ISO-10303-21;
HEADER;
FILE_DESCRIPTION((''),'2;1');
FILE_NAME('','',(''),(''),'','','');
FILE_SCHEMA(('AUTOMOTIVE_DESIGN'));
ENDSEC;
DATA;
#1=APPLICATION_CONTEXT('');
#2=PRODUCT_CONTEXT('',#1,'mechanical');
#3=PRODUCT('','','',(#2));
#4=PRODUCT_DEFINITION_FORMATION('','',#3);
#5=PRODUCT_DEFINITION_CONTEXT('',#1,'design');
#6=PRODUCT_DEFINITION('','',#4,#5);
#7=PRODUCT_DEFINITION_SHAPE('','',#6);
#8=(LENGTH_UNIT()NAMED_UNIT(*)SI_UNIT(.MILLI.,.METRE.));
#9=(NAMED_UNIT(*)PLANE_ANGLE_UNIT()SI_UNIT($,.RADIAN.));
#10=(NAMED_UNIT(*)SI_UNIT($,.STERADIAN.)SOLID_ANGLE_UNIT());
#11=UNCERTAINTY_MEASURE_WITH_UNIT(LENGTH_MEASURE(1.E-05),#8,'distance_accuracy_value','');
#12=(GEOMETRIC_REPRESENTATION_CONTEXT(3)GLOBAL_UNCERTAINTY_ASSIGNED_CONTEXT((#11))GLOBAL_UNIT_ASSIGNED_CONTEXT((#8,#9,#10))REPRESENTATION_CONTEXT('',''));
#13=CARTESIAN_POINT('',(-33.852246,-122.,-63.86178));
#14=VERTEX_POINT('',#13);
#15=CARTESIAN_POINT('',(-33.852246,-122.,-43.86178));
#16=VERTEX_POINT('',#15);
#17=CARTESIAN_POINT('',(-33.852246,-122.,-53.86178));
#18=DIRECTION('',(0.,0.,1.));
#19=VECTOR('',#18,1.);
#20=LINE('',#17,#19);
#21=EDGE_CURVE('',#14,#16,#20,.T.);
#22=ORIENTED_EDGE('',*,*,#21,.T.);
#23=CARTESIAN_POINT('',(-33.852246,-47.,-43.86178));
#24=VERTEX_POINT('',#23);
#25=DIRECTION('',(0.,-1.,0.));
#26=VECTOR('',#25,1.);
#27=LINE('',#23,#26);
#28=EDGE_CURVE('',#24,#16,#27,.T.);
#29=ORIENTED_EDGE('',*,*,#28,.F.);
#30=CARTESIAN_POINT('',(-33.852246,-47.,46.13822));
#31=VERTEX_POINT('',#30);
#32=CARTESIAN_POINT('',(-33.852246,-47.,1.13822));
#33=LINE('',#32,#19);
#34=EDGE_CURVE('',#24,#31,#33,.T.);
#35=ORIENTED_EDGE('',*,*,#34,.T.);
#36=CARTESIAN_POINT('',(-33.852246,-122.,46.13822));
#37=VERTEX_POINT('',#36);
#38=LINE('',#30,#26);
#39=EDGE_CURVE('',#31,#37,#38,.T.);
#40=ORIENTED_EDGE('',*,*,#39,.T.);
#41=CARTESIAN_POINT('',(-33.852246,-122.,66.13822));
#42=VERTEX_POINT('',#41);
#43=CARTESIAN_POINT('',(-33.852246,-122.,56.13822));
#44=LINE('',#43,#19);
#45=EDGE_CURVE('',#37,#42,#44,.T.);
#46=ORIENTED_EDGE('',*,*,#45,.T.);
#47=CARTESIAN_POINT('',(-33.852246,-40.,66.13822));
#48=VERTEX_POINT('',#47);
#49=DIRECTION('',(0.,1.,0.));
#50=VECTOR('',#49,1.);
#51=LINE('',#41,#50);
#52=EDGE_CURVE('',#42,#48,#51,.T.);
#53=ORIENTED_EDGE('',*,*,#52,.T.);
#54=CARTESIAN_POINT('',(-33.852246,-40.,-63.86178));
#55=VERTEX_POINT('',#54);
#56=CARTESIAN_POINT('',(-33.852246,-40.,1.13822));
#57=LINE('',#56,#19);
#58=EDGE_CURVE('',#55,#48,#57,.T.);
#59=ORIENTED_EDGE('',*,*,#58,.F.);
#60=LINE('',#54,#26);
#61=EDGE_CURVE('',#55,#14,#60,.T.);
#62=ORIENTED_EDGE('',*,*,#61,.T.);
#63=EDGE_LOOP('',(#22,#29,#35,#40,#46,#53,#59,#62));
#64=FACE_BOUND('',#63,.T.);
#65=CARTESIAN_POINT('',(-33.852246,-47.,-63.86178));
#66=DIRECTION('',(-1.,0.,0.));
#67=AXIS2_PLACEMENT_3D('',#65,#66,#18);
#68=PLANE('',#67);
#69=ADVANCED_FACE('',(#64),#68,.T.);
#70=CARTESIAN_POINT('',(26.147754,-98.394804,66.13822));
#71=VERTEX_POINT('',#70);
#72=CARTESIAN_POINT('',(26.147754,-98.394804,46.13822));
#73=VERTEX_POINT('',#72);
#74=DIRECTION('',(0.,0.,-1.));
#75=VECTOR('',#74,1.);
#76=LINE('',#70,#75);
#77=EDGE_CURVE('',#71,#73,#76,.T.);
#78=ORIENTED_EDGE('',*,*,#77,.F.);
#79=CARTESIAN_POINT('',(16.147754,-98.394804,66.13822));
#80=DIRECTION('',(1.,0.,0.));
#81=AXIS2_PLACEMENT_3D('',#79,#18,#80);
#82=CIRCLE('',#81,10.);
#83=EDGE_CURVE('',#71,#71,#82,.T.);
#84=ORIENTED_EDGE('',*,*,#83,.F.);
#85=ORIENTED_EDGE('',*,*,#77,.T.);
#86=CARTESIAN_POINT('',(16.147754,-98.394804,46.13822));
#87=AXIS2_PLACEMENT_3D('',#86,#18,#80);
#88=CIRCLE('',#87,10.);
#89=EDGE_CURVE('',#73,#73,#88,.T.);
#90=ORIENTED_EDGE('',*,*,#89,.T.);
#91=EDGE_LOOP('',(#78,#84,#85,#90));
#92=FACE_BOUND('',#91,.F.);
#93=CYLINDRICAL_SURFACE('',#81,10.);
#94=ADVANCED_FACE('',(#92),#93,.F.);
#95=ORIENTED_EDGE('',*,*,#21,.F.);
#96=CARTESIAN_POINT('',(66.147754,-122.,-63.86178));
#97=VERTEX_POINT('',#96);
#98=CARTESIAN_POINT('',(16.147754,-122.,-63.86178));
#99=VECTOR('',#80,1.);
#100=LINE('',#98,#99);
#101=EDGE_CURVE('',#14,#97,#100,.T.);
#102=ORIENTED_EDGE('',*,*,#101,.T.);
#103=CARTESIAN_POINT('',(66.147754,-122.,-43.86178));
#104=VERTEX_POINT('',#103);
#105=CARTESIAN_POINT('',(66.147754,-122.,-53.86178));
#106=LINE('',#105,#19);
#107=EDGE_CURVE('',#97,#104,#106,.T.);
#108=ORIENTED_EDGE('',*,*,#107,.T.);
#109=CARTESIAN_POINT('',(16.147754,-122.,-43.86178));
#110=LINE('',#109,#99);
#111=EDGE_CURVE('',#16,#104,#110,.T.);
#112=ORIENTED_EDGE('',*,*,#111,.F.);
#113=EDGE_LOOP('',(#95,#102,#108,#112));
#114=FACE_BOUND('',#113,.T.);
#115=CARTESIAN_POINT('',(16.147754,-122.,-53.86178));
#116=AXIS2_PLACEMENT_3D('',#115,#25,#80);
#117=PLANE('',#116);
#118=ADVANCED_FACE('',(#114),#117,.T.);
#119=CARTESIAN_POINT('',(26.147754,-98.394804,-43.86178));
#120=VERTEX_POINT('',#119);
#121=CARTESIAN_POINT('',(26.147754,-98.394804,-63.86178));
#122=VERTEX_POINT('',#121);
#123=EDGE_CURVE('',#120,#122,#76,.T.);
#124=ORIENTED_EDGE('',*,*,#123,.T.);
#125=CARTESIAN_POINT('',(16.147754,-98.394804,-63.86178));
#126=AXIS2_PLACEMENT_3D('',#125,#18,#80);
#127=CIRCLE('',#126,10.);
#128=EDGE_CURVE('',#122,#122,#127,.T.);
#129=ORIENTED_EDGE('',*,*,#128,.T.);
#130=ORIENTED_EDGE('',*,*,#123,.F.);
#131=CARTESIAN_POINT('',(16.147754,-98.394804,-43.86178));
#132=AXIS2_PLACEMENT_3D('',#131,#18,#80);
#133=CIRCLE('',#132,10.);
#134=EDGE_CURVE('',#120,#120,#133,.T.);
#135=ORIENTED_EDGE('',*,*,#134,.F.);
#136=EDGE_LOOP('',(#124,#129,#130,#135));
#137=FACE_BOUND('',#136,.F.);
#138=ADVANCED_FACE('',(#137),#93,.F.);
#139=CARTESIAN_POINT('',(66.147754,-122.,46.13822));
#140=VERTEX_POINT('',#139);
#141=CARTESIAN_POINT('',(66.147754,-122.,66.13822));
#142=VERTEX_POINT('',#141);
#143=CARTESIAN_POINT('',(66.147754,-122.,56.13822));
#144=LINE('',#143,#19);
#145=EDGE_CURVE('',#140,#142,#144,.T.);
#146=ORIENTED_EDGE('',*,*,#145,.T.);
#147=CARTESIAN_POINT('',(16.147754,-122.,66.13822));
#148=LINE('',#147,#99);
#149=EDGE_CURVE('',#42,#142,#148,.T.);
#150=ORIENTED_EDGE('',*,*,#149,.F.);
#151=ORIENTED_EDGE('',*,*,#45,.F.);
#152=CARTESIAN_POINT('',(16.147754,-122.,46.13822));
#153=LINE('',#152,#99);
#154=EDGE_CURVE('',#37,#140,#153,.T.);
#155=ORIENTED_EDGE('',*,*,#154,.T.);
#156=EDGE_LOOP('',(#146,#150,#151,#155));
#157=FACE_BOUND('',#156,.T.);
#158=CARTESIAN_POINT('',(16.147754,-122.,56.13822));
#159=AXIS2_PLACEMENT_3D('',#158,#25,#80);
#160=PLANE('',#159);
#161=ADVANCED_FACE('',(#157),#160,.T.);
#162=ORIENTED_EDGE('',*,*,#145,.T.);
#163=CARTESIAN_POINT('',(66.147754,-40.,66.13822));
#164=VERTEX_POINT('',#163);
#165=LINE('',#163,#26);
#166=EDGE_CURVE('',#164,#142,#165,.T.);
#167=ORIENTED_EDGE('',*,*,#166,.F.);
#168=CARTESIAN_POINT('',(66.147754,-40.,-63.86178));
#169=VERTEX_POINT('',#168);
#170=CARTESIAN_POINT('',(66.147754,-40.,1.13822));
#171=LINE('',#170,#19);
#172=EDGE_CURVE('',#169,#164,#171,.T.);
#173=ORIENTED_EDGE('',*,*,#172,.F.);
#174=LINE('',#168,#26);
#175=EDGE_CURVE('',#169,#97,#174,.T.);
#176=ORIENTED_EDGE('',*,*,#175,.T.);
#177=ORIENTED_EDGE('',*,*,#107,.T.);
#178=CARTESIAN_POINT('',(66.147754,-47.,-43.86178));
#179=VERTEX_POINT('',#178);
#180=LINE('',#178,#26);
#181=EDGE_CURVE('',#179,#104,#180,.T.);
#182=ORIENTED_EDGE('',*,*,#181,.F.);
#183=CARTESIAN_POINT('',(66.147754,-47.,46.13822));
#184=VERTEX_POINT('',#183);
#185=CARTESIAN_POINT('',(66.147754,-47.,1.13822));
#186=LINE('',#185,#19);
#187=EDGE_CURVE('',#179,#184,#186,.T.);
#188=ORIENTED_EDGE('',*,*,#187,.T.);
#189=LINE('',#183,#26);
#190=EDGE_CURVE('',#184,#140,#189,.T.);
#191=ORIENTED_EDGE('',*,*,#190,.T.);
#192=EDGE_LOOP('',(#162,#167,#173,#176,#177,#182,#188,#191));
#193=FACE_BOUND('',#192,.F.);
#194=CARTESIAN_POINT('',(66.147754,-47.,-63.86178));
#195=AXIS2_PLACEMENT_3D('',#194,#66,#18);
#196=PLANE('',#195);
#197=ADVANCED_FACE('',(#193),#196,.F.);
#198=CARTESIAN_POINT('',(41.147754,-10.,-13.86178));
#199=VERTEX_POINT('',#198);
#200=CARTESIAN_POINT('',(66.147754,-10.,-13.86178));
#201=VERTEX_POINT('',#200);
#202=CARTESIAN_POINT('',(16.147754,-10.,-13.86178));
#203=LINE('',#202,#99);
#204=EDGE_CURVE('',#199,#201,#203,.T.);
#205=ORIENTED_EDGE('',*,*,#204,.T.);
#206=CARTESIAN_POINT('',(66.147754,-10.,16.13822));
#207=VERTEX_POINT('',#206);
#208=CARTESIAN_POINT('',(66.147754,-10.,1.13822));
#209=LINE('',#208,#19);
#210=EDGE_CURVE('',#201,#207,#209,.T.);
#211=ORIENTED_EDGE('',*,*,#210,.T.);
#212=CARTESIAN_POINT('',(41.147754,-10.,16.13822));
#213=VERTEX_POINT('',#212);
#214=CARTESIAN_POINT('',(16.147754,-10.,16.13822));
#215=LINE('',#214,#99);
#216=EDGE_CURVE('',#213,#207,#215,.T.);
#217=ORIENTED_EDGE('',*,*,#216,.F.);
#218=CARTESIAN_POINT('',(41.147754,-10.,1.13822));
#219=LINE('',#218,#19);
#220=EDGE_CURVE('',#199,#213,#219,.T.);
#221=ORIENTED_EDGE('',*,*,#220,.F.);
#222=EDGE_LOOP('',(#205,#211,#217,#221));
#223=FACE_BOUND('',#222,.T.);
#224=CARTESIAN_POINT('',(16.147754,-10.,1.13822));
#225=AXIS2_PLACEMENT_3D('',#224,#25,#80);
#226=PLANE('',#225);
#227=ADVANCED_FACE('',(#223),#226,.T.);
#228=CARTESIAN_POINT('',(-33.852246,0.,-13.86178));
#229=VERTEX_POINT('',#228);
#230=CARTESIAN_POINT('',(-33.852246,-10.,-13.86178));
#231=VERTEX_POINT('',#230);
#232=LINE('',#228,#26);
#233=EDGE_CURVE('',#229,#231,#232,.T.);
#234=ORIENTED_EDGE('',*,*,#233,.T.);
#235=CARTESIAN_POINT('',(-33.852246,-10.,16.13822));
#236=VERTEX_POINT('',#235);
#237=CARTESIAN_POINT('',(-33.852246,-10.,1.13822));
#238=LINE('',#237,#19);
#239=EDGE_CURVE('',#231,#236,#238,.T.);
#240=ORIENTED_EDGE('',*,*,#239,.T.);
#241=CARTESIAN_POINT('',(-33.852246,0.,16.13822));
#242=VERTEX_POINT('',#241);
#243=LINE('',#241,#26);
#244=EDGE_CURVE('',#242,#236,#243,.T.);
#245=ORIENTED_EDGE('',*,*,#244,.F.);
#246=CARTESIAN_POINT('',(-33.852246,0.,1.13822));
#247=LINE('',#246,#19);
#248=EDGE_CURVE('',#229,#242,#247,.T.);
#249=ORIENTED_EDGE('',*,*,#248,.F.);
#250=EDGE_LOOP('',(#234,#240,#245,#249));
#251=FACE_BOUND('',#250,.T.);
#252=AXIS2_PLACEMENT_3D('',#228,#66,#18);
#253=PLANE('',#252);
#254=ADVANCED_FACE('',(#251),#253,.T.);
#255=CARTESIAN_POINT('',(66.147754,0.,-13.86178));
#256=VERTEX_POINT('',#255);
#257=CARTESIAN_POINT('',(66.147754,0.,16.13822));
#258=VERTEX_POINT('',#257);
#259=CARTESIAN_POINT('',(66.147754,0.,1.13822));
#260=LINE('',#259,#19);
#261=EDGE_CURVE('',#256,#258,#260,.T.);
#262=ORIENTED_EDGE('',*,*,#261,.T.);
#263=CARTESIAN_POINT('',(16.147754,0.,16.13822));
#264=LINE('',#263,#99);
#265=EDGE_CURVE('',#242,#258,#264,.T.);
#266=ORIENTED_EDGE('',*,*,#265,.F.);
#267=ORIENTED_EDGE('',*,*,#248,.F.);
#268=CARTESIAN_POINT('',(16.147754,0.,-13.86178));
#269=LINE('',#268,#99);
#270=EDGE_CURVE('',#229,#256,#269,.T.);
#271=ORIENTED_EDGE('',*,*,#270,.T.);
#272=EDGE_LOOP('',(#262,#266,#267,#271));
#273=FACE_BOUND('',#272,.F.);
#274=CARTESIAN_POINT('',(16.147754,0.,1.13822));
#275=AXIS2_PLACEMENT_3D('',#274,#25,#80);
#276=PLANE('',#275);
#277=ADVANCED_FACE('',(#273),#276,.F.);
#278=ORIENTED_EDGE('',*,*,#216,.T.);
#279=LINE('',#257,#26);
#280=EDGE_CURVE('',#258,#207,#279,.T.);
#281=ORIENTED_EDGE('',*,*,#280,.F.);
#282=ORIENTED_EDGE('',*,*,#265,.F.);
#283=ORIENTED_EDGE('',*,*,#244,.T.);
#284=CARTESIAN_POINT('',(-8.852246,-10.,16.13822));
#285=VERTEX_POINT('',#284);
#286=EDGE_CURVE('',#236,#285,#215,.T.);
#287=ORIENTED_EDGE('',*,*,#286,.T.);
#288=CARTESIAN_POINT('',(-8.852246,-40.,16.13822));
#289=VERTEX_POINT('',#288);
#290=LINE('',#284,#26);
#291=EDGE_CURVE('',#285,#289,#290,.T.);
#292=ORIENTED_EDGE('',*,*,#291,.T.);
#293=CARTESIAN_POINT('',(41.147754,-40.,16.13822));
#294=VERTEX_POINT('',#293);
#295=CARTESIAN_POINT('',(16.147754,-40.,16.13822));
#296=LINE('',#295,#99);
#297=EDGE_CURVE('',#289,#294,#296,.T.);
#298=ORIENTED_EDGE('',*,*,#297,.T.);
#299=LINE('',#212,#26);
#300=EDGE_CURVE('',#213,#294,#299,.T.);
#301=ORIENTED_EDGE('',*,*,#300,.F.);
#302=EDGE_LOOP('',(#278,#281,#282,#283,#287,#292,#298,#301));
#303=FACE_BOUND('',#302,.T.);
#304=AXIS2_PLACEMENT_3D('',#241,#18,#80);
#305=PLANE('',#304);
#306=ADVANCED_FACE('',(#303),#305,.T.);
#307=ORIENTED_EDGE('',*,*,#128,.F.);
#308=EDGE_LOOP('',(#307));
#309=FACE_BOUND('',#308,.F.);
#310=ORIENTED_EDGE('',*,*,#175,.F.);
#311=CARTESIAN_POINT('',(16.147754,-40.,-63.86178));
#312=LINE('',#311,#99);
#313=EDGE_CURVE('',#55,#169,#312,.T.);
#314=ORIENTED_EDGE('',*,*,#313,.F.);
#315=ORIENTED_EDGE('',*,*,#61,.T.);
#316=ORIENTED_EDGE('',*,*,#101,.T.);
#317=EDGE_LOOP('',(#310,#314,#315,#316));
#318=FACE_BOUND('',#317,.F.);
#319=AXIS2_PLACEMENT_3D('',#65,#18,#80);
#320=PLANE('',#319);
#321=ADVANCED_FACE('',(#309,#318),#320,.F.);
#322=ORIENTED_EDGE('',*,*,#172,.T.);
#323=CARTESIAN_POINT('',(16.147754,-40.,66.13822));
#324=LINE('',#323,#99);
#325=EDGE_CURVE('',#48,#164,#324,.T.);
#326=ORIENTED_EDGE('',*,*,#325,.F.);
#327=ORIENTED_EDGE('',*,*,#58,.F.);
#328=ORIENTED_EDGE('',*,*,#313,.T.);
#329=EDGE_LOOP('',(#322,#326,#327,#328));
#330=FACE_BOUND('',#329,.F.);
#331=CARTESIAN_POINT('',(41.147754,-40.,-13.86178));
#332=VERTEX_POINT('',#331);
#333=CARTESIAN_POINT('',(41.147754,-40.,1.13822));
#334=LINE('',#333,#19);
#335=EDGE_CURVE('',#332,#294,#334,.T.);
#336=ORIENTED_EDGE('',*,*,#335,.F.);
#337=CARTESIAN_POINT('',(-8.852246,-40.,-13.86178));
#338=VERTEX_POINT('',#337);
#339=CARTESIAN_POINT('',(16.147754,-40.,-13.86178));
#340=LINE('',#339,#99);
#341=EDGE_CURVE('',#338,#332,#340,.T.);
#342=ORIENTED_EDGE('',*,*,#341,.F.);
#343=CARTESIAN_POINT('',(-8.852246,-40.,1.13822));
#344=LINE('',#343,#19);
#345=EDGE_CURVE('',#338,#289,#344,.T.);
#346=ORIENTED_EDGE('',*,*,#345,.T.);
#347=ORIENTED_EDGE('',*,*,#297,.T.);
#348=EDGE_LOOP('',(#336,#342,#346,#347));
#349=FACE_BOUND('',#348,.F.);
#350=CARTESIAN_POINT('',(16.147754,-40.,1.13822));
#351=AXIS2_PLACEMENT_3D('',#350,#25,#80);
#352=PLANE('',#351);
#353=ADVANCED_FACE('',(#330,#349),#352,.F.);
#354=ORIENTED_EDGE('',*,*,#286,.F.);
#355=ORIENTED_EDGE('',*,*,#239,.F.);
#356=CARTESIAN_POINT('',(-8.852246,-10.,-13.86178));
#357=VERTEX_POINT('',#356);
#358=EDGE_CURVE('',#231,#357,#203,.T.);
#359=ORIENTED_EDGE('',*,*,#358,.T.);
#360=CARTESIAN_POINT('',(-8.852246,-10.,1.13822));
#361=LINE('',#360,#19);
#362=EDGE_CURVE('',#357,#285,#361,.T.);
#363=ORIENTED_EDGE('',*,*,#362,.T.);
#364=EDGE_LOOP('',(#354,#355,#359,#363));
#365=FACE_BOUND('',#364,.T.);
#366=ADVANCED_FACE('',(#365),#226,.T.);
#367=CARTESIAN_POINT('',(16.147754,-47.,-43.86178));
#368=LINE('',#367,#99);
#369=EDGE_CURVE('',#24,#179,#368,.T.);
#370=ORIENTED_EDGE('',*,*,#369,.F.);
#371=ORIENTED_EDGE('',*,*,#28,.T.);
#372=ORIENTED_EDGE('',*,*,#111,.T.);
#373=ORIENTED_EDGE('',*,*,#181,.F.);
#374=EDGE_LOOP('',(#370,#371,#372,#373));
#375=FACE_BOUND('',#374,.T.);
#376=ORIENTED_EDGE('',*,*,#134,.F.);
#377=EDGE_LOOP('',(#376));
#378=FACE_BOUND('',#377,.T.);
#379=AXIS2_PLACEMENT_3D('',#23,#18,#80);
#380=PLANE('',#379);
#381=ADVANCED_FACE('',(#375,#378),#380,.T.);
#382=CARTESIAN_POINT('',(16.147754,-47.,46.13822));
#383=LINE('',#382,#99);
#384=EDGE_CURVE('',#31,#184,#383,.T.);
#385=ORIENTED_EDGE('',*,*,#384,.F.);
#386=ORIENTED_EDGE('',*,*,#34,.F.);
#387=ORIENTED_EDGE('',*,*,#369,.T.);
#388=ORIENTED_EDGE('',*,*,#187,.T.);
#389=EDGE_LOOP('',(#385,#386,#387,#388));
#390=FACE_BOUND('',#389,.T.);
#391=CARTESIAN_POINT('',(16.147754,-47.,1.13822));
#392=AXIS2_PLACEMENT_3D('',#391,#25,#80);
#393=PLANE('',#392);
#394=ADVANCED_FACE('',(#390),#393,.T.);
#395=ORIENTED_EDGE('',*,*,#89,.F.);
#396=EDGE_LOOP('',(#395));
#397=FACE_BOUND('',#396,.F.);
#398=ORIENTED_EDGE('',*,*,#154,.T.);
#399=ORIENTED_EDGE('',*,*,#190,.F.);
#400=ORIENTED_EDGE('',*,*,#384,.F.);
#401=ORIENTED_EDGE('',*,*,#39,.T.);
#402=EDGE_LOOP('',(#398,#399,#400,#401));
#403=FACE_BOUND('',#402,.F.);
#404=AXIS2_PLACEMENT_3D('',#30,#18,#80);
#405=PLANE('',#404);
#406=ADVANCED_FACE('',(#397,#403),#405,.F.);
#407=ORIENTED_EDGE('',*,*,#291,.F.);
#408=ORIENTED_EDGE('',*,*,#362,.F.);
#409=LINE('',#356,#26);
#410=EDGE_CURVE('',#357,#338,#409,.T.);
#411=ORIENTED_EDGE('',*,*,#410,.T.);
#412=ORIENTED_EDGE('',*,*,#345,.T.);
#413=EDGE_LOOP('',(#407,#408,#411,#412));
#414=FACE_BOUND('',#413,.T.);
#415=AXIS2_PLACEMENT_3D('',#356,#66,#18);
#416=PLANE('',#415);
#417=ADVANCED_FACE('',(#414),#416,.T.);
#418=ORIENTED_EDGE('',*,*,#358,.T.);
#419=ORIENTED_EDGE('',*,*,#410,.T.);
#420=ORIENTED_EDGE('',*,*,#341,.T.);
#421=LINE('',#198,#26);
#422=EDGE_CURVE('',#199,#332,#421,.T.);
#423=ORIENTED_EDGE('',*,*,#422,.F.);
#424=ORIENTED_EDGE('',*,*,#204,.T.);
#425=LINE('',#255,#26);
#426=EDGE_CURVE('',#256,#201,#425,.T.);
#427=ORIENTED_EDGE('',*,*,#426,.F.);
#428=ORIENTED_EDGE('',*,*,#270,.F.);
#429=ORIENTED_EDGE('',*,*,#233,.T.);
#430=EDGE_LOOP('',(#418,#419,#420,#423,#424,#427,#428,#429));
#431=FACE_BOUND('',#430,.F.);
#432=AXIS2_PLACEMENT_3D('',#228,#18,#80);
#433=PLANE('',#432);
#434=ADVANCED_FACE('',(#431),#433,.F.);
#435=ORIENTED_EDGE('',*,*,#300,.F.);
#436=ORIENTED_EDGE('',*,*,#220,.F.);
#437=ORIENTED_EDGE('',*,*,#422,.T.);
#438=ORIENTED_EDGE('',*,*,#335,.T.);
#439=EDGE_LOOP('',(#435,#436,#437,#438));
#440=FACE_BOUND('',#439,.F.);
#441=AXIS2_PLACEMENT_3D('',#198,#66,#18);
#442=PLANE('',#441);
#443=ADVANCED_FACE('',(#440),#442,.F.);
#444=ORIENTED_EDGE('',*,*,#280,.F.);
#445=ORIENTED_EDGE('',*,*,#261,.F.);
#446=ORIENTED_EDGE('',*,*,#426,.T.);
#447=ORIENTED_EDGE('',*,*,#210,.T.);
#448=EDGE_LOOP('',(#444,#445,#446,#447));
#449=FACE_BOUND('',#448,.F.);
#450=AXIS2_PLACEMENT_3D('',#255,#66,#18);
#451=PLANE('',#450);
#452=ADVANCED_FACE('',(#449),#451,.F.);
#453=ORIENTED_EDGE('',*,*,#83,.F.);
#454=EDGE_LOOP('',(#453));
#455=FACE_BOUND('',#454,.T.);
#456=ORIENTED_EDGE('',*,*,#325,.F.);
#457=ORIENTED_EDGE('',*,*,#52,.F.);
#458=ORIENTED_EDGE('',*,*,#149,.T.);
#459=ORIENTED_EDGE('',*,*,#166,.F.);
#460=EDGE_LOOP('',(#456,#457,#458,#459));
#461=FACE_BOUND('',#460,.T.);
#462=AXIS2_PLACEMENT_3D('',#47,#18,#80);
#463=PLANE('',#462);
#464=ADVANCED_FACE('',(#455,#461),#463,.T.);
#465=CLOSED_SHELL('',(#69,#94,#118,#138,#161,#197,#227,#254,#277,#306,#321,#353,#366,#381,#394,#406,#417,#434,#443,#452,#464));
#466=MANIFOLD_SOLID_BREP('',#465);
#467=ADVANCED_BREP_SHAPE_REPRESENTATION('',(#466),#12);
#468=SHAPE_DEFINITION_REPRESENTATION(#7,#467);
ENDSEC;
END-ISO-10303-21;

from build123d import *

# Parameters (mm, degrees)
F0_W     = 100
F0_H     = 30
F1_DEPTH = 10
F2_W     = 50
F2_H     = 30
F3_DEPTH = 30
F4_W     = 100
F4_H     = 130
F4_W_2   = 50
F4_H_2   = 30
F5_DEPTH = 7
F6_W     = 100
F6_H     = 20
F7_DEPTH = 75
F8_R     = 10
F9_DEPTH = 130.001


with BuildPart() as f1:
    # F0 (on Front) → F1 (new body)
    with BuildSketch(Plane.XZ):
        with Locations((16.147754, 1.13822)):
            Rectangle(F0_W, F0_H)
    extrude(amount=F1_DEPTH)

    # F2 (on face) → F3 (join)
    with BuildSketch(Plane.XZ.offset(10)):
        with Locations((16.147754, 1.13822)):
            Rectangle(F2_W, F2_H)
    extrude(amount=F3_DEPTH)

    # F4 (on face) → F5 (join)
    with BuildSketch(Plane.XZ.offset(40)):
        with Locations((16.147754, 1.13822)):
            Rectangle(F4_W, F4_H)
        with Locations((16.147754, 1.13822)):
            Rectangle(F4_W_2, F4_H_2, mode=Mode.SUBTRACT)
        with Locations((16.147754, 1.13822)):
            Rectangle(F4_W_2, F4_H_2)
    extrude(amount=F5_DEPTH)

    # F6 (on face) → F7 (join)
    with BuildSketch(Plane.XZ.offset(47)):
        with Locations((16.147754, -53.86178)):
            Rectangle(F6_W, F6_H)
        with Locations((16.147754, 56.13822)):
            Rectangle(F6_W, F6_H)
    extrude(amount=F7_DEPTH)

    # F8 (on face) → F9 (cut, through all)
    with BuildSketch(Plane.XY.offset(66.13822)):
        with Locations((16.147754, -98.394804)):
            Circle(F8_R)
    extrude(amount=-F9_DEPTH, mode=Mode.SUBTRACT)


solid = f1.part
